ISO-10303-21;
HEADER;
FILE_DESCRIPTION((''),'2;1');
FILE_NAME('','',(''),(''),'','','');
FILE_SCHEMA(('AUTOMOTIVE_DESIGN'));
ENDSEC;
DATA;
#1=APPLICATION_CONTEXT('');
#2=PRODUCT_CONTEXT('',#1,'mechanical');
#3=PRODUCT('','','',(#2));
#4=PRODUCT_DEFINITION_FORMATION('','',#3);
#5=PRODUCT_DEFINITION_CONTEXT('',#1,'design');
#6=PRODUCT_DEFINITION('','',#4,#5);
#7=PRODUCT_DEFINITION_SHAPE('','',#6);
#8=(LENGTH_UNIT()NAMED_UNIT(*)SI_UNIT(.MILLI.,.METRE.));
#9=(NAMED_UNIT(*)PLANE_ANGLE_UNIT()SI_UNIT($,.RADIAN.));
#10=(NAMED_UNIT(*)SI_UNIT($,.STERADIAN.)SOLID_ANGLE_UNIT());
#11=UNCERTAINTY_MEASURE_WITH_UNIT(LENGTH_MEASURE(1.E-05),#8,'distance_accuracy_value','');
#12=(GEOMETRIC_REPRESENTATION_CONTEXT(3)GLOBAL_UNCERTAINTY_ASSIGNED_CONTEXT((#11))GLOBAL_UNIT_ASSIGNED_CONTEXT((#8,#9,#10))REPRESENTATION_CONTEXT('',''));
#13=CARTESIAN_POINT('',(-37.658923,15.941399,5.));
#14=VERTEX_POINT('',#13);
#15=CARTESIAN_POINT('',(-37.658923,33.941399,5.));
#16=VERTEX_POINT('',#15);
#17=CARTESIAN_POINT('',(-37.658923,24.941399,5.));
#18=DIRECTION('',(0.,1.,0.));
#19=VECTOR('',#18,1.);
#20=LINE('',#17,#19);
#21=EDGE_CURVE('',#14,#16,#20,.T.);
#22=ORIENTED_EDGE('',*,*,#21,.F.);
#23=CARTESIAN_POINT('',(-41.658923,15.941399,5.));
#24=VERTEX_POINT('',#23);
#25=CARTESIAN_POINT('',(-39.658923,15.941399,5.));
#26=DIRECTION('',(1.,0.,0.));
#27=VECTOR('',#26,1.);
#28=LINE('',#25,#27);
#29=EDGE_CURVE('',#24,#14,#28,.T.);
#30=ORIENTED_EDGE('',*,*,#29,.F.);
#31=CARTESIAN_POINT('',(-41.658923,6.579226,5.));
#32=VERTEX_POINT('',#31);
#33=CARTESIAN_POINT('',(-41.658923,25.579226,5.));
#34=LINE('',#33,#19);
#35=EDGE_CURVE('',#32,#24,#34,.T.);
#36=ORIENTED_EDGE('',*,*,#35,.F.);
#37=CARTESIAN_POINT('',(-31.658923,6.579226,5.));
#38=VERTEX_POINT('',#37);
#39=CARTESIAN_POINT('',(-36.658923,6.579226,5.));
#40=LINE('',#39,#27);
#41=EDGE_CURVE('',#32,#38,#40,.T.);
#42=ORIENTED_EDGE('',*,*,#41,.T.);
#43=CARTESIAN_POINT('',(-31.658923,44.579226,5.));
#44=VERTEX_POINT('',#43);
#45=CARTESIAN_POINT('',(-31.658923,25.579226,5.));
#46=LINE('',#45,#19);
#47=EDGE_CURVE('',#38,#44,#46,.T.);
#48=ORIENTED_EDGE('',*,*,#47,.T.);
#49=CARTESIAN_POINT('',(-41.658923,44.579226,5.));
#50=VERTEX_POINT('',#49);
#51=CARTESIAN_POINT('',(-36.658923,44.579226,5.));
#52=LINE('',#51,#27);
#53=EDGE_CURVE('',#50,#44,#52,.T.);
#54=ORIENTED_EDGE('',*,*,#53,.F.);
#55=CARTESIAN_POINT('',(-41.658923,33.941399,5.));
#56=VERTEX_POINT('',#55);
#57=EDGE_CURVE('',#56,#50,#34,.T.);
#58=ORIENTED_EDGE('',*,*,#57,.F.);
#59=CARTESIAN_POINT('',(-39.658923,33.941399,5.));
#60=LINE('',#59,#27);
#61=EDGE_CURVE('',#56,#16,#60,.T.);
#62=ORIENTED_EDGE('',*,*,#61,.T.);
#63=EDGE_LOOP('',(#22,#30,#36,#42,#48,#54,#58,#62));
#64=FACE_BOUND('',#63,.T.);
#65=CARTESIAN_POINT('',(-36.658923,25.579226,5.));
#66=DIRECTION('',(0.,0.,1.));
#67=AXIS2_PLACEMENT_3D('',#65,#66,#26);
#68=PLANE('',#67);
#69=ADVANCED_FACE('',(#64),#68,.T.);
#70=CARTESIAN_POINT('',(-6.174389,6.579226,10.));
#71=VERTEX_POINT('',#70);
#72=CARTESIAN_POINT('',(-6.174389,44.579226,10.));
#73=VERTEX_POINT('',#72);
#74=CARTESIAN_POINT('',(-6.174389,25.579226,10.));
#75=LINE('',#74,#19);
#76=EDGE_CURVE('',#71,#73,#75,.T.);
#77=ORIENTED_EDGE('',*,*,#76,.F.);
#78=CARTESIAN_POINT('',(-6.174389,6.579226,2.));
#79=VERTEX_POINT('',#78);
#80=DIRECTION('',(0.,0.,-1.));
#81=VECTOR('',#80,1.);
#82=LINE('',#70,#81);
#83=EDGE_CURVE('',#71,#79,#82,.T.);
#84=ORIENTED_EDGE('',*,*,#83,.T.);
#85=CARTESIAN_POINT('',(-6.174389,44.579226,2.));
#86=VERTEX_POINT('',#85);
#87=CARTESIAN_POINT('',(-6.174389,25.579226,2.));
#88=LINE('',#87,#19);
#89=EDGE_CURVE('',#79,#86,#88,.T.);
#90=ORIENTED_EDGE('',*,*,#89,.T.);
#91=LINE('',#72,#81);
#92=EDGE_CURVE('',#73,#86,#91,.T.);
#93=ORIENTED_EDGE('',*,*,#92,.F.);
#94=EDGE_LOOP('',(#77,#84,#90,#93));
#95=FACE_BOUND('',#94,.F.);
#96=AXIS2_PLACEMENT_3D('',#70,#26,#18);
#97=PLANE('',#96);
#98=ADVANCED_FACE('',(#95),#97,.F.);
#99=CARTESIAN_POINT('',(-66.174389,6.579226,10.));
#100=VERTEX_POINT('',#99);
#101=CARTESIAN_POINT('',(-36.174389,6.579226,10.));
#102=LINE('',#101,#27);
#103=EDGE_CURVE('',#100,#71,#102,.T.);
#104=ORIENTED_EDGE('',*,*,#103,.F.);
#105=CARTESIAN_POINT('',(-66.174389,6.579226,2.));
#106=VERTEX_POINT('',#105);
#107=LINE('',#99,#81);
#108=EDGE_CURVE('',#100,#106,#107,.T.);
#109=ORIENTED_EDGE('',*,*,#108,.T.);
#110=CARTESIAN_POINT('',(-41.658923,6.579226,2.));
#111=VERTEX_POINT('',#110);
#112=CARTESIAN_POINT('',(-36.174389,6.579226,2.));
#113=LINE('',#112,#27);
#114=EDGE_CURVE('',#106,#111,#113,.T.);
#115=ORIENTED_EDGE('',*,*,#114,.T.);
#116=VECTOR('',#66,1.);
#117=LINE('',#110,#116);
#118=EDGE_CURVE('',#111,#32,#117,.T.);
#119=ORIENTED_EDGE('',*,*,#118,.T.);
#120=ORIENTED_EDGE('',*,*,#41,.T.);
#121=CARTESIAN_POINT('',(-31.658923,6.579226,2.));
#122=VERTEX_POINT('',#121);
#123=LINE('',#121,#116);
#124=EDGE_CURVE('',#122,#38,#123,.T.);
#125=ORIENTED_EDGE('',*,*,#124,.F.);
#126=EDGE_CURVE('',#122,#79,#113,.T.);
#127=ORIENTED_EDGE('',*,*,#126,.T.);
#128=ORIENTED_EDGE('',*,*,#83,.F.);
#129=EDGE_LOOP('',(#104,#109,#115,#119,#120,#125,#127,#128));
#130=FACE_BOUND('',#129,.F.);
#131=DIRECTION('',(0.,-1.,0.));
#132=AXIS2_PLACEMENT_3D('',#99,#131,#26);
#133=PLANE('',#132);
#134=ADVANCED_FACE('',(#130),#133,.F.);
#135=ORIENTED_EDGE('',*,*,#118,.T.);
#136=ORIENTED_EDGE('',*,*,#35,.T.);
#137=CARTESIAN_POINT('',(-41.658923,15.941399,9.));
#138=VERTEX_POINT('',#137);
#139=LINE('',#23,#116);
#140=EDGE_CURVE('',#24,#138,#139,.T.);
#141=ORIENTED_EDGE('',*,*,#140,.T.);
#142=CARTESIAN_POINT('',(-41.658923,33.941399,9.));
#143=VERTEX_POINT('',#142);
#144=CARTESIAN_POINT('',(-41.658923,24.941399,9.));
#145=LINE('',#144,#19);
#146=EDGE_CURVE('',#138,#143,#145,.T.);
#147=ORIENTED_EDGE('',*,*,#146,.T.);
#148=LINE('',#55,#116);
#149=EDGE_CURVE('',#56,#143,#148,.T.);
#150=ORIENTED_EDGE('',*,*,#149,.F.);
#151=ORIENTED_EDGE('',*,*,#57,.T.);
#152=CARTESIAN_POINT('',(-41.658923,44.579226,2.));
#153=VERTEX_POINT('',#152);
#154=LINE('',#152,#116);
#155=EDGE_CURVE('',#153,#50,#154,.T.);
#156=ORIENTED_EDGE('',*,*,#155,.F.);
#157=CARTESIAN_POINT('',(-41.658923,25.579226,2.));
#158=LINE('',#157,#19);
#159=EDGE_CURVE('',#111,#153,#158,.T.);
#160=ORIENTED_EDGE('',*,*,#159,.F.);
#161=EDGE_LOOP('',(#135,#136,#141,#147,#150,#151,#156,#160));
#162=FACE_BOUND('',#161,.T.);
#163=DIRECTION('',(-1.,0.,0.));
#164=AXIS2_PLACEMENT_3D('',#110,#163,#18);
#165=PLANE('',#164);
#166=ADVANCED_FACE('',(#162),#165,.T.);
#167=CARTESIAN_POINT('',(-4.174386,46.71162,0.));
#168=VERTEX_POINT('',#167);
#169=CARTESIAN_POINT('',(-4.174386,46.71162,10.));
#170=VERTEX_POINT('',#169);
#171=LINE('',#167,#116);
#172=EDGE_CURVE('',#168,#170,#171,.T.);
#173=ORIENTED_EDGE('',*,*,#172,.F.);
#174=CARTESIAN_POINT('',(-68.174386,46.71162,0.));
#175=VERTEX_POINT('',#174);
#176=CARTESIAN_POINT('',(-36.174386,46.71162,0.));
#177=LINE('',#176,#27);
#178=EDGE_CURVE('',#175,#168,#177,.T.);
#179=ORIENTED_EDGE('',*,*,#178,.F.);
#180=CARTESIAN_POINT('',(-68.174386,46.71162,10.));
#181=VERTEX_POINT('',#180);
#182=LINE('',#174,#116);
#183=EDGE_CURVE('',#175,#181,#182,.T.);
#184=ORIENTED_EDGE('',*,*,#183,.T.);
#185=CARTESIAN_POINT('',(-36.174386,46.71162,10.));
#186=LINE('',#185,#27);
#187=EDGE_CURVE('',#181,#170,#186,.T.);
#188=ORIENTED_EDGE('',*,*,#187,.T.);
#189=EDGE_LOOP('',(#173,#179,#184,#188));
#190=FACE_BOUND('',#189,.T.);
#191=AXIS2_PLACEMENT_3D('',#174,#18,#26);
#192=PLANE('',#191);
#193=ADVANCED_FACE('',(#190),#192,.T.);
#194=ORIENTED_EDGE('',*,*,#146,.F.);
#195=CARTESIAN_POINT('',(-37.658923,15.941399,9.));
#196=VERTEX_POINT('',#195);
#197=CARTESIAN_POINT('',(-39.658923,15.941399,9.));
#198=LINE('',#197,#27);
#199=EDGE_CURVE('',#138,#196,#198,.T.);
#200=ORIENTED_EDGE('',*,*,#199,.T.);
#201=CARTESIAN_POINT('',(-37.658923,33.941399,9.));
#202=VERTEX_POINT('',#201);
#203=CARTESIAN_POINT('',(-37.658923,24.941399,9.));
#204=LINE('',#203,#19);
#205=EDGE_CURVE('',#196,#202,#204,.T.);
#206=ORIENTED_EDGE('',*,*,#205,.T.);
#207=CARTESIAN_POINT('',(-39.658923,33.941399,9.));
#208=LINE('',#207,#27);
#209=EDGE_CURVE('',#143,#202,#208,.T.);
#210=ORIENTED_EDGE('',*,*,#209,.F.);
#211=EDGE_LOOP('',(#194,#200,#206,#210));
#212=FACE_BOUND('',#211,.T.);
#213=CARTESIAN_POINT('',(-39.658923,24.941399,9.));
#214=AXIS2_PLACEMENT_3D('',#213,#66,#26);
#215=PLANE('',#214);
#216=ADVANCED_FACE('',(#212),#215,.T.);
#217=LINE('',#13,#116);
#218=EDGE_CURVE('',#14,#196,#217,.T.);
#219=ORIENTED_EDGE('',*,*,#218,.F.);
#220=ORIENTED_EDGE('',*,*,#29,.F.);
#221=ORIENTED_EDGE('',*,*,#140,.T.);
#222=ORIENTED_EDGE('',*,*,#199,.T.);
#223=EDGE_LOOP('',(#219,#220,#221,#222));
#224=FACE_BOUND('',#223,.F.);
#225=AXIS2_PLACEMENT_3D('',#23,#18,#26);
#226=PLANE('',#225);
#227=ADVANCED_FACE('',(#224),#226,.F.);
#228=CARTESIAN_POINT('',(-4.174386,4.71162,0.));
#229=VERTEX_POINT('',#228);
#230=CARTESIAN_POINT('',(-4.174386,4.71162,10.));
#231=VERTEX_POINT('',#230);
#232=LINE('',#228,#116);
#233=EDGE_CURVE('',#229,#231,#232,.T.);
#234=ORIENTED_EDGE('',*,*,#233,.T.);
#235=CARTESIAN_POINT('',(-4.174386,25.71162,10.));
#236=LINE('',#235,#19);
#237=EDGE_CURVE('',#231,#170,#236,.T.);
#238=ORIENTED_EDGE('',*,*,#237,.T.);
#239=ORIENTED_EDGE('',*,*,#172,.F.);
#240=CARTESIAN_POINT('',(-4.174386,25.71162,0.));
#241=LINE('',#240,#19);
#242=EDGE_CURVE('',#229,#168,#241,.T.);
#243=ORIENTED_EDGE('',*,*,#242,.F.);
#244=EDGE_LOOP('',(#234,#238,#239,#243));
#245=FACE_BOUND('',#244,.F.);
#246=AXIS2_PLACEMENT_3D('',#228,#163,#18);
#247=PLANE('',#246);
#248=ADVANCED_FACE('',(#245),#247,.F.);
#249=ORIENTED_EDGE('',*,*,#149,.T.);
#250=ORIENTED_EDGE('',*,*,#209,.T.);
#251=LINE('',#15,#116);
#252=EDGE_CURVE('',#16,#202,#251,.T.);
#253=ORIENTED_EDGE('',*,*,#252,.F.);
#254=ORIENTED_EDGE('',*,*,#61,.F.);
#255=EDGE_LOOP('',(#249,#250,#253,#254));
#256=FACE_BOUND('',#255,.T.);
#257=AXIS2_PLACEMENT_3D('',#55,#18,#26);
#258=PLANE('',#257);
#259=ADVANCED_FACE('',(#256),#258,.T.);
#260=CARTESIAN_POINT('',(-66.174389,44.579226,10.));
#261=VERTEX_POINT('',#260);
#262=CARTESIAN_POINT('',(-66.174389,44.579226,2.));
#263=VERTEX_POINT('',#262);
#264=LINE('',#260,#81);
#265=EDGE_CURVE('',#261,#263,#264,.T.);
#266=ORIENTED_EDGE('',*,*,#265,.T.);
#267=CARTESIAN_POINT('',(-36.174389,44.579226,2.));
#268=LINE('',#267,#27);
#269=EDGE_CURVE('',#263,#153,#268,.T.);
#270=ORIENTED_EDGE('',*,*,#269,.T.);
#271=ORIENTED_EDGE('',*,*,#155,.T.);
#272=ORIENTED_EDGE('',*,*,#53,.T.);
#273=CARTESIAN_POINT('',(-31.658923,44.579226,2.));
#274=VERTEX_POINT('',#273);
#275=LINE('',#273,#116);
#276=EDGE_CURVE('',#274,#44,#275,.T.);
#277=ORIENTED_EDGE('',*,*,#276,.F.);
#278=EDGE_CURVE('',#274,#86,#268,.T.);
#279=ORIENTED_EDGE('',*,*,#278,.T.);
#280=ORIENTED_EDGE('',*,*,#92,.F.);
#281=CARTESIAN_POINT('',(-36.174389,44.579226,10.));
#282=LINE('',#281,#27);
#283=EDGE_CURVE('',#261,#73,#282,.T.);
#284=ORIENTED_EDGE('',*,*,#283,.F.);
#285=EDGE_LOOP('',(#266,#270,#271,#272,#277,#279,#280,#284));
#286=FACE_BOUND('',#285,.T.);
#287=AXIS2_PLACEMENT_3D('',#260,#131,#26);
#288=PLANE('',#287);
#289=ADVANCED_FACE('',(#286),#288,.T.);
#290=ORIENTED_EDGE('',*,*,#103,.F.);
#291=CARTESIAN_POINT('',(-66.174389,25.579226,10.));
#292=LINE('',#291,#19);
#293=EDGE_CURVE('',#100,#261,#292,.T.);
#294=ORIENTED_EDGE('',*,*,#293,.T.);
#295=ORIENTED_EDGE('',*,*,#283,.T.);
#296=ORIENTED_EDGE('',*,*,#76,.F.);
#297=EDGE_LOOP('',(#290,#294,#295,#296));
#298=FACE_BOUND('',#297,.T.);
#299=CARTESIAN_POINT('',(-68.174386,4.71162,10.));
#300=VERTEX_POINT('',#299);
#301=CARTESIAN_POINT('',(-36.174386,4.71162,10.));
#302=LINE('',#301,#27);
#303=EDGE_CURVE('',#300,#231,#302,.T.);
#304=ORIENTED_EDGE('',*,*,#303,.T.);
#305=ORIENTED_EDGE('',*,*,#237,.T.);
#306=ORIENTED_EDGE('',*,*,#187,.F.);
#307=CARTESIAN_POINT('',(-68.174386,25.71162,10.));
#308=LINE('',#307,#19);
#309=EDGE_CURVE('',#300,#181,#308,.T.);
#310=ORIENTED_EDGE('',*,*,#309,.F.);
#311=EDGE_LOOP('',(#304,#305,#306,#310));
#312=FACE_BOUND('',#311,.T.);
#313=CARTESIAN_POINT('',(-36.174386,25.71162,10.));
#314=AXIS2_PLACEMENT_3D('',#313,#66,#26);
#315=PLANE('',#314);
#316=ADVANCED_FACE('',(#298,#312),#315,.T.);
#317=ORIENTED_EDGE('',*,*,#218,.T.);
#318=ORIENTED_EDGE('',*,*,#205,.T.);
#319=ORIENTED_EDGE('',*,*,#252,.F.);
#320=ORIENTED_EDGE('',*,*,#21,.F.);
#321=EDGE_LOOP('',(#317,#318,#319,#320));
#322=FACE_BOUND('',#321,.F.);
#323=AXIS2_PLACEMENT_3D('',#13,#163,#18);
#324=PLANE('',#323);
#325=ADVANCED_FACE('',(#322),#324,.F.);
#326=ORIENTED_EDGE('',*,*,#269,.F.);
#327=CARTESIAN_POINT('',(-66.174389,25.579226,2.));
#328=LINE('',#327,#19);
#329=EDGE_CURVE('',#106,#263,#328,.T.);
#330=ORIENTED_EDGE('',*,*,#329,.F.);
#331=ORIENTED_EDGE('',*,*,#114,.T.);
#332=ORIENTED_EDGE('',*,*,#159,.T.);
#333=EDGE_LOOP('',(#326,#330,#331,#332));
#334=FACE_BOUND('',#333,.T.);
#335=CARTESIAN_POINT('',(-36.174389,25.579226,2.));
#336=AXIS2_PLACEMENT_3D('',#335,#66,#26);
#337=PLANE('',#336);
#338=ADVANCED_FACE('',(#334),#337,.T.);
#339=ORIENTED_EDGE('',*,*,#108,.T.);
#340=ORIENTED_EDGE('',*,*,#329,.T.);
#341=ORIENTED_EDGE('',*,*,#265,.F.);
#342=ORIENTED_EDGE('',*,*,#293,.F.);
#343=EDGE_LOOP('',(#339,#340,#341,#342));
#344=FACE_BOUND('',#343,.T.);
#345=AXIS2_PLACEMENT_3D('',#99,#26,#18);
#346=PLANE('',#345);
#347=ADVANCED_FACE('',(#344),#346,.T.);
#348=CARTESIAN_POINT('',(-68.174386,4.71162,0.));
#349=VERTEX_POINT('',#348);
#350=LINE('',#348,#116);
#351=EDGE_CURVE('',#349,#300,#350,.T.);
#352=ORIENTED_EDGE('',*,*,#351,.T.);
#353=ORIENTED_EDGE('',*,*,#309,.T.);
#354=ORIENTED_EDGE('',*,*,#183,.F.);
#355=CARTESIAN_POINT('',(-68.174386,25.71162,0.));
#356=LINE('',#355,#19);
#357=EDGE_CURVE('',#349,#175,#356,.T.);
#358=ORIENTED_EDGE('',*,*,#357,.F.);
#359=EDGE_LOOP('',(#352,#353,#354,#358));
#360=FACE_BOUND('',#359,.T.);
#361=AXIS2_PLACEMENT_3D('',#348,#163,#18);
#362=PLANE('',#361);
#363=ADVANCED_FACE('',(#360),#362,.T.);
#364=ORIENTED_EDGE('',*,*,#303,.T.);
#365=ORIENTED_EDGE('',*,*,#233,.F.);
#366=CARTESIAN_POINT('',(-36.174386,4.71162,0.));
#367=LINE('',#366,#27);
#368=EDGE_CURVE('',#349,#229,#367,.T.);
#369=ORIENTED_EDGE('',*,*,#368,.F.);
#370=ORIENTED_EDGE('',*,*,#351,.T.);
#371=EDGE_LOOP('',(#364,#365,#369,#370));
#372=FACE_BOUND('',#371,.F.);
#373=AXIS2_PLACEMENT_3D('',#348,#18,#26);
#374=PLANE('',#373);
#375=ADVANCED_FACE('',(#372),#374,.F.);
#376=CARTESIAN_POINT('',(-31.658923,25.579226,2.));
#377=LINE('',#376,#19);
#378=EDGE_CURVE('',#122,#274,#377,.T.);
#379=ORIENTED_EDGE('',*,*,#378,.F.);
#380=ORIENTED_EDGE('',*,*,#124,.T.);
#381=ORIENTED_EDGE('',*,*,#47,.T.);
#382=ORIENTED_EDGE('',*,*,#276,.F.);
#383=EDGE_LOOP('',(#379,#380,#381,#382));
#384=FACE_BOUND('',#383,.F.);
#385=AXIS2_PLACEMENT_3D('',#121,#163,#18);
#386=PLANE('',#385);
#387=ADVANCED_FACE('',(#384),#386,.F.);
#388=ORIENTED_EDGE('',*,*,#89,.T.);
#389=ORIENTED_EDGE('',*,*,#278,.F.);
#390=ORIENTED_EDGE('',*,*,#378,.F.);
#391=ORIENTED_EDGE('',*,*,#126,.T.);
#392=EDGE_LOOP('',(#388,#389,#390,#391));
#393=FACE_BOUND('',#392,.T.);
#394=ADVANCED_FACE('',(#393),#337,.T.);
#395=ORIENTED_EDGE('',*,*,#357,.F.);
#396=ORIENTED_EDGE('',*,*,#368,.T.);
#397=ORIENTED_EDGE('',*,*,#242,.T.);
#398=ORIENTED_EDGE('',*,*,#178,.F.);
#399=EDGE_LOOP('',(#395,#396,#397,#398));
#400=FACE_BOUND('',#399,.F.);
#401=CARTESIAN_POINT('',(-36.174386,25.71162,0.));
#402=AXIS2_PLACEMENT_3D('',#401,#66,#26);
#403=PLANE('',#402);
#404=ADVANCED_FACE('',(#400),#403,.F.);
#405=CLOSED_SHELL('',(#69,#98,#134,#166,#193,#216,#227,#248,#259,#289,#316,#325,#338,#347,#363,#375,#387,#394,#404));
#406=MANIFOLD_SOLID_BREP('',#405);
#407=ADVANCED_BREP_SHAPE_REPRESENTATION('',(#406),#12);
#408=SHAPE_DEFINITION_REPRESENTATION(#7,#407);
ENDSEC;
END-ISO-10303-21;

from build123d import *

# Parameters (mm, degrees)
F0_W     = 64
F0_H     = 42
F1_DEPTH = 10
F2_W     = 60
F2_H     = 38
F3_DEPTH = 8
F4_W     = 10
F4_H     = 38
F5_DEPTH = 3
F6_W     = 4
F6_H     = 18
F7_DEPTH = 4


with BuildPart() as f1:
    # F0 (on Top) → F1 (new body)
    with BuildSketch(Plane.XY):
        with Locations((-36.174386, 25.71162)):
            Rectangle(F0_W, F0_H)
    extrude(amount=F1_DEPTH)

    # F2 (on face) → F3 (cut)
    with BuildSketch(Plane.XY.offset(10)):
        with Locations((-36.174389, 25.579226)):
            Rectangle(F2_W, F2_H)
    extrude(amount=-F3_DEPTH, mode=Mode.SUBTRACT)

    # F4 (on face) → F5 (join)
    with BuildSketch(Plane.XY.offset(2)):
        with Locations((-36.658923, 25.579226)):
            Rectangle(F4_W, F4_H)
    extrude(amount=F5_DEPTH)

    # F6 (on face) → F7 (join)
    with BuildSketch(Plane.XY.offset(5)):
        with Locations((-39.658923, 24.941399)):
            Rectangle(F6_W, F6_H)
    extrude(amount=F7_DEPTH)


solid = f1.part
